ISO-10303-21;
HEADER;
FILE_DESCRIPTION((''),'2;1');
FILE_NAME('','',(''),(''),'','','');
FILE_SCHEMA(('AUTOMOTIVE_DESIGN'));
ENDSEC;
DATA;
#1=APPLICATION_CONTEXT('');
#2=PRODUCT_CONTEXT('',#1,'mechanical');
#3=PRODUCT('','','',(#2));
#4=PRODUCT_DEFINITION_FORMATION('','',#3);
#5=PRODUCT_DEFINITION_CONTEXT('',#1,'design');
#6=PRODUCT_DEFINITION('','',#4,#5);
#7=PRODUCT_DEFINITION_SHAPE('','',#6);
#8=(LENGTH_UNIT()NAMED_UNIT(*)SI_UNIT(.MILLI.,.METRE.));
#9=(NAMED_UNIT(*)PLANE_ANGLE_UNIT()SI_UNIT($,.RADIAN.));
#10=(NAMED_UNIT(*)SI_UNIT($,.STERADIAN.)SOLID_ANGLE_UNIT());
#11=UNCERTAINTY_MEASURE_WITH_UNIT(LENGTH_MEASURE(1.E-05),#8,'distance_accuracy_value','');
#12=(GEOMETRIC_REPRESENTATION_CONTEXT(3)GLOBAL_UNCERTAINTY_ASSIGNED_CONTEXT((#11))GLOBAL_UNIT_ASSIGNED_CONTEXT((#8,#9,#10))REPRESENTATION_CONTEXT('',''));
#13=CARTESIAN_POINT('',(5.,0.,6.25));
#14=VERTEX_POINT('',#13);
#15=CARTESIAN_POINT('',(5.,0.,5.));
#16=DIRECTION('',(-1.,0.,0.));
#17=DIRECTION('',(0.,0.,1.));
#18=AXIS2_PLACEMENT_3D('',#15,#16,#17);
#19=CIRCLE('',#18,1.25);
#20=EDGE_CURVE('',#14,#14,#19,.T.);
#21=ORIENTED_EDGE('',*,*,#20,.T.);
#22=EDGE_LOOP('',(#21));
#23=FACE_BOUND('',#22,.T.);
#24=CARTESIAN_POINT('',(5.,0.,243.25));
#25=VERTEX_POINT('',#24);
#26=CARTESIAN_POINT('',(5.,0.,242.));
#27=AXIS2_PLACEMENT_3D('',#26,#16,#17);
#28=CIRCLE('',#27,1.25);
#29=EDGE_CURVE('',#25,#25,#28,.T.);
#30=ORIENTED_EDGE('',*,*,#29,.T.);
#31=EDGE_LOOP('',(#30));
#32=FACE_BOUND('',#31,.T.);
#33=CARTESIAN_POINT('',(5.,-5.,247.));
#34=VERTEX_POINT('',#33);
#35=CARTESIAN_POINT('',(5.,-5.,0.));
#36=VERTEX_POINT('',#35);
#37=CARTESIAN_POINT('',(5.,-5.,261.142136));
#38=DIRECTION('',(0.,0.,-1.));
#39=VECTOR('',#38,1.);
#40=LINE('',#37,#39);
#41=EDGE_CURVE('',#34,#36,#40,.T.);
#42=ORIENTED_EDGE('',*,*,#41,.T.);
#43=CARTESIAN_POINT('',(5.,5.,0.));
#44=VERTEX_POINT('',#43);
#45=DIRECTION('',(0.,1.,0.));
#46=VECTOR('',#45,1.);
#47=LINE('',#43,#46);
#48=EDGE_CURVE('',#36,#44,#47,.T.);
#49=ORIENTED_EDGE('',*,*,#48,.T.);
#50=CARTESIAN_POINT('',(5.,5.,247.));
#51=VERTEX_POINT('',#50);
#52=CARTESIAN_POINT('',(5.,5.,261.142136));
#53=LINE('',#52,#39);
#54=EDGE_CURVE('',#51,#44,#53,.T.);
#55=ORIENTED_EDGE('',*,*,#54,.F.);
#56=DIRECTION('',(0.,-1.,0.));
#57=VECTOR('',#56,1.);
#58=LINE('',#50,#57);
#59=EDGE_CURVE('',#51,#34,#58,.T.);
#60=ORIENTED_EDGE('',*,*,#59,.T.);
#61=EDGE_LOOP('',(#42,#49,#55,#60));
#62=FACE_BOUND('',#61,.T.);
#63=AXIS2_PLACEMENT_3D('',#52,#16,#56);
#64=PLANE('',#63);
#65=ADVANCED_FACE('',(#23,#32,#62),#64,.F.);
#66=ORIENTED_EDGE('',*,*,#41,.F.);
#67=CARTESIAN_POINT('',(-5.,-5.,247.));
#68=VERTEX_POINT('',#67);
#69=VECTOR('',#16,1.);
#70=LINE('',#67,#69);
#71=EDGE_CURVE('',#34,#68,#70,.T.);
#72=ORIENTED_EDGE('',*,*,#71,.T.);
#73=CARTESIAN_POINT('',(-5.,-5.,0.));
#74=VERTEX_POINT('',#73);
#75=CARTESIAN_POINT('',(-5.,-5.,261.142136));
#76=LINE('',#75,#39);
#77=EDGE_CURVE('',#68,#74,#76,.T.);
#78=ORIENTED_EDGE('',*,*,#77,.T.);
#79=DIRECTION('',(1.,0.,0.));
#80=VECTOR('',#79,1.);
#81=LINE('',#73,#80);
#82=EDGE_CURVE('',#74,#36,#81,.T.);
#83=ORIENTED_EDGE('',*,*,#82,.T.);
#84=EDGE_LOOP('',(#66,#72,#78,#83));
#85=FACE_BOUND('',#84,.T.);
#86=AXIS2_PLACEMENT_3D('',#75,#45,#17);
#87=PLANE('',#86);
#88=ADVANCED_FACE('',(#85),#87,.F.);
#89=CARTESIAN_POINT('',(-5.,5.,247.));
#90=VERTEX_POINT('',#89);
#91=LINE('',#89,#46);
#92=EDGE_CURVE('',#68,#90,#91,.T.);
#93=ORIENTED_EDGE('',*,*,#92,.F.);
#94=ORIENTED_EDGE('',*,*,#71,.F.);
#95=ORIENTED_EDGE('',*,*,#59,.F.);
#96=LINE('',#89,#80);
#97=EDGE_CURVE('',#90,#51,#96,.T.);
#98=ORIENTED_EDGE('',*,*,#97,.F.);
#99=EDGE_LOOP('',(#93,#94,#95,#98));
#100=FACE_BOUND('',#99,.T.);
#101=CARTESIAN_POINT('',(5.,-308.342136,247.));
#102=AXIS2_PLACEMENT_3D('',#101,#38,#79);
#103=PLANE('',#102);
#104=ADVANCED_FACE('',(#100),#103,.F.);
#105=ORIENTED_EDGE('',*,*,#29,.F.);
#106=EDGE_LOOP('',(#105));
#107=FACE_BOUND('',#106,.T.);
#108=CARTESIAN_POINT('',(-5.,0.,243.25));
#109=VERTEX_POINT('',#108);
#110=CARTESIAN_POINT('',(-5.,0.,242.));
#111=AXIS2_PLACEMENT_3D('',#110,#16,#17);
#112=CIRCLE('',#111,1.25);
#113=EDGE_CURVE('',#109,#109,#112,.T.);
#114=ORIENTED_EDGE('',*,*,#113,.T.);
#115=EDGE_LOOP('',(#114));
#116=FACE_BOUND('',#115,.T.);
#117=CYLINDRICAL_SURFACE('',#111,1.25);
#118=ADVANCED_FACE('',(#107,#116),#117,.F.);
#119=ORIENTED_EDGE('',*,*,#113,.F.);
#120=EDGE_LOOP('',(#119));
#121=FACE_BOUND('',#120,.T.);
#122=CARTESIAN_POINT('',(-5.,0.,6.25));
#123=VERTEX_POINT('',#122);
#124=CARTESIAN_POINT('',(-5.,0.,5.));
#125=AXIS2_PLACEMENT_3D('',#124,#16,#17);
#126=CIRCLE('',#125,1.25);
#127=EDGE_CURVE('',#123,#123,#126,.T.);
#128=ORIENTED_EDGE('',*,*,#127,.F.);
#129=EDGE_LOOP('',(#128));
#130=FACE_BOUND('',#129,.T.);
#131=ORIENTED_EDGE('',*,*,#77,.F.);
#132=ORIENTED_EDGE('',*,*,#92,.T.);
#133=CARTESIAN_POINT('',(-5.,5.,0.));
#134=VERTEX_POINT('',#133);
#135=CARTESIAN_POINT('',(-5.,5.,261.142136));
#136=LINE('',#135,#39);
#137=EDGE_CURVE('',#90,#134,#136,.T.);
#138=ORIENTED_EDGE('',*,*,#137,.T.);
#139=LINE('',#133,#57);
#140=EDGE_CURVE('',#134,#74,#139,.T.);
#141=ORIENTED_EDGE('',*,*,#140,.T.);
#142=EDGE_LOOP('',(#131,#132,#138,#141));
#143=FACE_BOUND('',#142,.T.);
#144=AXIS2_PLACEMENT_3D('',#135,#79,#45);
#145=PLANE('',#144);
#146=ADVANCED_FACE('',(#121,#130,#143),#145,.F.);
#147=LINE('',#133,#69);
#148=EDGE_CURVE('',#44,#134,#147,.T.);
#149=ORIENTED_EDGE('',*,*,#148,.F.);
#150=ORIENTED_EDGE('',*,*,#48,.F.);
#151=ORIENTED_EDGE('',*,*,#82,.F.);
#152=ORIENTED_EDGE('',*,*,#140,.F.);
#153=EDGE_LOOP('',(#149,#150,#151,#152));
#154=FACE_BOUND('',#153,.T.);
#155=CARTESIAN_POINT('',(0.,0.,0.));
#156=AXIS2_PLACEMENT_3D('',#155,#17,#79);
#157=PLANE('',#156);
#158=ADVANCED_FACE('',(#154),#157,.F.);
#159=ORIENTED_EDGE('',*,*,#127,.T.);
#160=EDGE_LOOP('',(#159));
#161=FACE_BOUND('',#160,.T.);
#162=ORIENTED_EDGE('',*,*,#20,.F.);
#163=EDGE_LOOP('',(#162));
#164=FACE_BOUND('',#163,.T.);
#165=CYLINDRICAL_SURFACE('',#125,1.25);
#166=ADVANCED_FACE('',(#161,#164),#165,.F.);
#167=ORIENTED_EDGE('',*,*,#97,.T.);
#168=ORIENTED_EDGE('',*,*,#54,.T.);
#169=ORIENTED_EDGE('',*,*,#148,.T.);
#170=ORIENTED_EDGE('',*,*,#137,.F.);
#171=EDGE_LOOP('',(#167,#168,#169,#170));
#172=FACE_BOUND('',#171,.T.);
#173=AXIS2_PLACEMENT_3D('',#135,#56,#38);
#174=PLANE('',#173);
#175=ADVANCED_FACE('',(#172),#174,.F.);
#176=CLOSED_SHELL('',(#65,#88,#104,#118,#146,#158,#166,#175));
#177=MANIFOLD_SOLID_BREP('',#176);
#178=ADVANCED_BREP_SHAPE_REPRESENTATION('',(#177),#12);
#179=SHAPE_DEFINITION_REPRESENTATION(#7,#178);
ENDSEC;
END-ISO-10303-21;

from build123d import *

# Parameters (mm, degrees)
ESQUISSE1_W           = 10
ESQUISSE1_H           = 10
BOSS_EXTRU_1_DEPTH    = 247
TROU_TARAUD_M3X0_51_D = 2.5


with BuildPart() as part:
    # Esquisse1 → Boss.-Extru.1 (new body)
    with BuildSketch(Plane.XY):
        Rectangle(ESQUISSE1_W, ESQUISSE1_H)
    extrude(amount=BOSS_EXTRU_1_DEPTH)

    # Trou taraudé M3x0.51 (through all)
    with Locations(Plane.ZY.offset(5)):
        with Locations((242, 0), (5, 0)):
            Hole(TROU_TARAUD_M3X0_51_D / 2)


solid = part.part
